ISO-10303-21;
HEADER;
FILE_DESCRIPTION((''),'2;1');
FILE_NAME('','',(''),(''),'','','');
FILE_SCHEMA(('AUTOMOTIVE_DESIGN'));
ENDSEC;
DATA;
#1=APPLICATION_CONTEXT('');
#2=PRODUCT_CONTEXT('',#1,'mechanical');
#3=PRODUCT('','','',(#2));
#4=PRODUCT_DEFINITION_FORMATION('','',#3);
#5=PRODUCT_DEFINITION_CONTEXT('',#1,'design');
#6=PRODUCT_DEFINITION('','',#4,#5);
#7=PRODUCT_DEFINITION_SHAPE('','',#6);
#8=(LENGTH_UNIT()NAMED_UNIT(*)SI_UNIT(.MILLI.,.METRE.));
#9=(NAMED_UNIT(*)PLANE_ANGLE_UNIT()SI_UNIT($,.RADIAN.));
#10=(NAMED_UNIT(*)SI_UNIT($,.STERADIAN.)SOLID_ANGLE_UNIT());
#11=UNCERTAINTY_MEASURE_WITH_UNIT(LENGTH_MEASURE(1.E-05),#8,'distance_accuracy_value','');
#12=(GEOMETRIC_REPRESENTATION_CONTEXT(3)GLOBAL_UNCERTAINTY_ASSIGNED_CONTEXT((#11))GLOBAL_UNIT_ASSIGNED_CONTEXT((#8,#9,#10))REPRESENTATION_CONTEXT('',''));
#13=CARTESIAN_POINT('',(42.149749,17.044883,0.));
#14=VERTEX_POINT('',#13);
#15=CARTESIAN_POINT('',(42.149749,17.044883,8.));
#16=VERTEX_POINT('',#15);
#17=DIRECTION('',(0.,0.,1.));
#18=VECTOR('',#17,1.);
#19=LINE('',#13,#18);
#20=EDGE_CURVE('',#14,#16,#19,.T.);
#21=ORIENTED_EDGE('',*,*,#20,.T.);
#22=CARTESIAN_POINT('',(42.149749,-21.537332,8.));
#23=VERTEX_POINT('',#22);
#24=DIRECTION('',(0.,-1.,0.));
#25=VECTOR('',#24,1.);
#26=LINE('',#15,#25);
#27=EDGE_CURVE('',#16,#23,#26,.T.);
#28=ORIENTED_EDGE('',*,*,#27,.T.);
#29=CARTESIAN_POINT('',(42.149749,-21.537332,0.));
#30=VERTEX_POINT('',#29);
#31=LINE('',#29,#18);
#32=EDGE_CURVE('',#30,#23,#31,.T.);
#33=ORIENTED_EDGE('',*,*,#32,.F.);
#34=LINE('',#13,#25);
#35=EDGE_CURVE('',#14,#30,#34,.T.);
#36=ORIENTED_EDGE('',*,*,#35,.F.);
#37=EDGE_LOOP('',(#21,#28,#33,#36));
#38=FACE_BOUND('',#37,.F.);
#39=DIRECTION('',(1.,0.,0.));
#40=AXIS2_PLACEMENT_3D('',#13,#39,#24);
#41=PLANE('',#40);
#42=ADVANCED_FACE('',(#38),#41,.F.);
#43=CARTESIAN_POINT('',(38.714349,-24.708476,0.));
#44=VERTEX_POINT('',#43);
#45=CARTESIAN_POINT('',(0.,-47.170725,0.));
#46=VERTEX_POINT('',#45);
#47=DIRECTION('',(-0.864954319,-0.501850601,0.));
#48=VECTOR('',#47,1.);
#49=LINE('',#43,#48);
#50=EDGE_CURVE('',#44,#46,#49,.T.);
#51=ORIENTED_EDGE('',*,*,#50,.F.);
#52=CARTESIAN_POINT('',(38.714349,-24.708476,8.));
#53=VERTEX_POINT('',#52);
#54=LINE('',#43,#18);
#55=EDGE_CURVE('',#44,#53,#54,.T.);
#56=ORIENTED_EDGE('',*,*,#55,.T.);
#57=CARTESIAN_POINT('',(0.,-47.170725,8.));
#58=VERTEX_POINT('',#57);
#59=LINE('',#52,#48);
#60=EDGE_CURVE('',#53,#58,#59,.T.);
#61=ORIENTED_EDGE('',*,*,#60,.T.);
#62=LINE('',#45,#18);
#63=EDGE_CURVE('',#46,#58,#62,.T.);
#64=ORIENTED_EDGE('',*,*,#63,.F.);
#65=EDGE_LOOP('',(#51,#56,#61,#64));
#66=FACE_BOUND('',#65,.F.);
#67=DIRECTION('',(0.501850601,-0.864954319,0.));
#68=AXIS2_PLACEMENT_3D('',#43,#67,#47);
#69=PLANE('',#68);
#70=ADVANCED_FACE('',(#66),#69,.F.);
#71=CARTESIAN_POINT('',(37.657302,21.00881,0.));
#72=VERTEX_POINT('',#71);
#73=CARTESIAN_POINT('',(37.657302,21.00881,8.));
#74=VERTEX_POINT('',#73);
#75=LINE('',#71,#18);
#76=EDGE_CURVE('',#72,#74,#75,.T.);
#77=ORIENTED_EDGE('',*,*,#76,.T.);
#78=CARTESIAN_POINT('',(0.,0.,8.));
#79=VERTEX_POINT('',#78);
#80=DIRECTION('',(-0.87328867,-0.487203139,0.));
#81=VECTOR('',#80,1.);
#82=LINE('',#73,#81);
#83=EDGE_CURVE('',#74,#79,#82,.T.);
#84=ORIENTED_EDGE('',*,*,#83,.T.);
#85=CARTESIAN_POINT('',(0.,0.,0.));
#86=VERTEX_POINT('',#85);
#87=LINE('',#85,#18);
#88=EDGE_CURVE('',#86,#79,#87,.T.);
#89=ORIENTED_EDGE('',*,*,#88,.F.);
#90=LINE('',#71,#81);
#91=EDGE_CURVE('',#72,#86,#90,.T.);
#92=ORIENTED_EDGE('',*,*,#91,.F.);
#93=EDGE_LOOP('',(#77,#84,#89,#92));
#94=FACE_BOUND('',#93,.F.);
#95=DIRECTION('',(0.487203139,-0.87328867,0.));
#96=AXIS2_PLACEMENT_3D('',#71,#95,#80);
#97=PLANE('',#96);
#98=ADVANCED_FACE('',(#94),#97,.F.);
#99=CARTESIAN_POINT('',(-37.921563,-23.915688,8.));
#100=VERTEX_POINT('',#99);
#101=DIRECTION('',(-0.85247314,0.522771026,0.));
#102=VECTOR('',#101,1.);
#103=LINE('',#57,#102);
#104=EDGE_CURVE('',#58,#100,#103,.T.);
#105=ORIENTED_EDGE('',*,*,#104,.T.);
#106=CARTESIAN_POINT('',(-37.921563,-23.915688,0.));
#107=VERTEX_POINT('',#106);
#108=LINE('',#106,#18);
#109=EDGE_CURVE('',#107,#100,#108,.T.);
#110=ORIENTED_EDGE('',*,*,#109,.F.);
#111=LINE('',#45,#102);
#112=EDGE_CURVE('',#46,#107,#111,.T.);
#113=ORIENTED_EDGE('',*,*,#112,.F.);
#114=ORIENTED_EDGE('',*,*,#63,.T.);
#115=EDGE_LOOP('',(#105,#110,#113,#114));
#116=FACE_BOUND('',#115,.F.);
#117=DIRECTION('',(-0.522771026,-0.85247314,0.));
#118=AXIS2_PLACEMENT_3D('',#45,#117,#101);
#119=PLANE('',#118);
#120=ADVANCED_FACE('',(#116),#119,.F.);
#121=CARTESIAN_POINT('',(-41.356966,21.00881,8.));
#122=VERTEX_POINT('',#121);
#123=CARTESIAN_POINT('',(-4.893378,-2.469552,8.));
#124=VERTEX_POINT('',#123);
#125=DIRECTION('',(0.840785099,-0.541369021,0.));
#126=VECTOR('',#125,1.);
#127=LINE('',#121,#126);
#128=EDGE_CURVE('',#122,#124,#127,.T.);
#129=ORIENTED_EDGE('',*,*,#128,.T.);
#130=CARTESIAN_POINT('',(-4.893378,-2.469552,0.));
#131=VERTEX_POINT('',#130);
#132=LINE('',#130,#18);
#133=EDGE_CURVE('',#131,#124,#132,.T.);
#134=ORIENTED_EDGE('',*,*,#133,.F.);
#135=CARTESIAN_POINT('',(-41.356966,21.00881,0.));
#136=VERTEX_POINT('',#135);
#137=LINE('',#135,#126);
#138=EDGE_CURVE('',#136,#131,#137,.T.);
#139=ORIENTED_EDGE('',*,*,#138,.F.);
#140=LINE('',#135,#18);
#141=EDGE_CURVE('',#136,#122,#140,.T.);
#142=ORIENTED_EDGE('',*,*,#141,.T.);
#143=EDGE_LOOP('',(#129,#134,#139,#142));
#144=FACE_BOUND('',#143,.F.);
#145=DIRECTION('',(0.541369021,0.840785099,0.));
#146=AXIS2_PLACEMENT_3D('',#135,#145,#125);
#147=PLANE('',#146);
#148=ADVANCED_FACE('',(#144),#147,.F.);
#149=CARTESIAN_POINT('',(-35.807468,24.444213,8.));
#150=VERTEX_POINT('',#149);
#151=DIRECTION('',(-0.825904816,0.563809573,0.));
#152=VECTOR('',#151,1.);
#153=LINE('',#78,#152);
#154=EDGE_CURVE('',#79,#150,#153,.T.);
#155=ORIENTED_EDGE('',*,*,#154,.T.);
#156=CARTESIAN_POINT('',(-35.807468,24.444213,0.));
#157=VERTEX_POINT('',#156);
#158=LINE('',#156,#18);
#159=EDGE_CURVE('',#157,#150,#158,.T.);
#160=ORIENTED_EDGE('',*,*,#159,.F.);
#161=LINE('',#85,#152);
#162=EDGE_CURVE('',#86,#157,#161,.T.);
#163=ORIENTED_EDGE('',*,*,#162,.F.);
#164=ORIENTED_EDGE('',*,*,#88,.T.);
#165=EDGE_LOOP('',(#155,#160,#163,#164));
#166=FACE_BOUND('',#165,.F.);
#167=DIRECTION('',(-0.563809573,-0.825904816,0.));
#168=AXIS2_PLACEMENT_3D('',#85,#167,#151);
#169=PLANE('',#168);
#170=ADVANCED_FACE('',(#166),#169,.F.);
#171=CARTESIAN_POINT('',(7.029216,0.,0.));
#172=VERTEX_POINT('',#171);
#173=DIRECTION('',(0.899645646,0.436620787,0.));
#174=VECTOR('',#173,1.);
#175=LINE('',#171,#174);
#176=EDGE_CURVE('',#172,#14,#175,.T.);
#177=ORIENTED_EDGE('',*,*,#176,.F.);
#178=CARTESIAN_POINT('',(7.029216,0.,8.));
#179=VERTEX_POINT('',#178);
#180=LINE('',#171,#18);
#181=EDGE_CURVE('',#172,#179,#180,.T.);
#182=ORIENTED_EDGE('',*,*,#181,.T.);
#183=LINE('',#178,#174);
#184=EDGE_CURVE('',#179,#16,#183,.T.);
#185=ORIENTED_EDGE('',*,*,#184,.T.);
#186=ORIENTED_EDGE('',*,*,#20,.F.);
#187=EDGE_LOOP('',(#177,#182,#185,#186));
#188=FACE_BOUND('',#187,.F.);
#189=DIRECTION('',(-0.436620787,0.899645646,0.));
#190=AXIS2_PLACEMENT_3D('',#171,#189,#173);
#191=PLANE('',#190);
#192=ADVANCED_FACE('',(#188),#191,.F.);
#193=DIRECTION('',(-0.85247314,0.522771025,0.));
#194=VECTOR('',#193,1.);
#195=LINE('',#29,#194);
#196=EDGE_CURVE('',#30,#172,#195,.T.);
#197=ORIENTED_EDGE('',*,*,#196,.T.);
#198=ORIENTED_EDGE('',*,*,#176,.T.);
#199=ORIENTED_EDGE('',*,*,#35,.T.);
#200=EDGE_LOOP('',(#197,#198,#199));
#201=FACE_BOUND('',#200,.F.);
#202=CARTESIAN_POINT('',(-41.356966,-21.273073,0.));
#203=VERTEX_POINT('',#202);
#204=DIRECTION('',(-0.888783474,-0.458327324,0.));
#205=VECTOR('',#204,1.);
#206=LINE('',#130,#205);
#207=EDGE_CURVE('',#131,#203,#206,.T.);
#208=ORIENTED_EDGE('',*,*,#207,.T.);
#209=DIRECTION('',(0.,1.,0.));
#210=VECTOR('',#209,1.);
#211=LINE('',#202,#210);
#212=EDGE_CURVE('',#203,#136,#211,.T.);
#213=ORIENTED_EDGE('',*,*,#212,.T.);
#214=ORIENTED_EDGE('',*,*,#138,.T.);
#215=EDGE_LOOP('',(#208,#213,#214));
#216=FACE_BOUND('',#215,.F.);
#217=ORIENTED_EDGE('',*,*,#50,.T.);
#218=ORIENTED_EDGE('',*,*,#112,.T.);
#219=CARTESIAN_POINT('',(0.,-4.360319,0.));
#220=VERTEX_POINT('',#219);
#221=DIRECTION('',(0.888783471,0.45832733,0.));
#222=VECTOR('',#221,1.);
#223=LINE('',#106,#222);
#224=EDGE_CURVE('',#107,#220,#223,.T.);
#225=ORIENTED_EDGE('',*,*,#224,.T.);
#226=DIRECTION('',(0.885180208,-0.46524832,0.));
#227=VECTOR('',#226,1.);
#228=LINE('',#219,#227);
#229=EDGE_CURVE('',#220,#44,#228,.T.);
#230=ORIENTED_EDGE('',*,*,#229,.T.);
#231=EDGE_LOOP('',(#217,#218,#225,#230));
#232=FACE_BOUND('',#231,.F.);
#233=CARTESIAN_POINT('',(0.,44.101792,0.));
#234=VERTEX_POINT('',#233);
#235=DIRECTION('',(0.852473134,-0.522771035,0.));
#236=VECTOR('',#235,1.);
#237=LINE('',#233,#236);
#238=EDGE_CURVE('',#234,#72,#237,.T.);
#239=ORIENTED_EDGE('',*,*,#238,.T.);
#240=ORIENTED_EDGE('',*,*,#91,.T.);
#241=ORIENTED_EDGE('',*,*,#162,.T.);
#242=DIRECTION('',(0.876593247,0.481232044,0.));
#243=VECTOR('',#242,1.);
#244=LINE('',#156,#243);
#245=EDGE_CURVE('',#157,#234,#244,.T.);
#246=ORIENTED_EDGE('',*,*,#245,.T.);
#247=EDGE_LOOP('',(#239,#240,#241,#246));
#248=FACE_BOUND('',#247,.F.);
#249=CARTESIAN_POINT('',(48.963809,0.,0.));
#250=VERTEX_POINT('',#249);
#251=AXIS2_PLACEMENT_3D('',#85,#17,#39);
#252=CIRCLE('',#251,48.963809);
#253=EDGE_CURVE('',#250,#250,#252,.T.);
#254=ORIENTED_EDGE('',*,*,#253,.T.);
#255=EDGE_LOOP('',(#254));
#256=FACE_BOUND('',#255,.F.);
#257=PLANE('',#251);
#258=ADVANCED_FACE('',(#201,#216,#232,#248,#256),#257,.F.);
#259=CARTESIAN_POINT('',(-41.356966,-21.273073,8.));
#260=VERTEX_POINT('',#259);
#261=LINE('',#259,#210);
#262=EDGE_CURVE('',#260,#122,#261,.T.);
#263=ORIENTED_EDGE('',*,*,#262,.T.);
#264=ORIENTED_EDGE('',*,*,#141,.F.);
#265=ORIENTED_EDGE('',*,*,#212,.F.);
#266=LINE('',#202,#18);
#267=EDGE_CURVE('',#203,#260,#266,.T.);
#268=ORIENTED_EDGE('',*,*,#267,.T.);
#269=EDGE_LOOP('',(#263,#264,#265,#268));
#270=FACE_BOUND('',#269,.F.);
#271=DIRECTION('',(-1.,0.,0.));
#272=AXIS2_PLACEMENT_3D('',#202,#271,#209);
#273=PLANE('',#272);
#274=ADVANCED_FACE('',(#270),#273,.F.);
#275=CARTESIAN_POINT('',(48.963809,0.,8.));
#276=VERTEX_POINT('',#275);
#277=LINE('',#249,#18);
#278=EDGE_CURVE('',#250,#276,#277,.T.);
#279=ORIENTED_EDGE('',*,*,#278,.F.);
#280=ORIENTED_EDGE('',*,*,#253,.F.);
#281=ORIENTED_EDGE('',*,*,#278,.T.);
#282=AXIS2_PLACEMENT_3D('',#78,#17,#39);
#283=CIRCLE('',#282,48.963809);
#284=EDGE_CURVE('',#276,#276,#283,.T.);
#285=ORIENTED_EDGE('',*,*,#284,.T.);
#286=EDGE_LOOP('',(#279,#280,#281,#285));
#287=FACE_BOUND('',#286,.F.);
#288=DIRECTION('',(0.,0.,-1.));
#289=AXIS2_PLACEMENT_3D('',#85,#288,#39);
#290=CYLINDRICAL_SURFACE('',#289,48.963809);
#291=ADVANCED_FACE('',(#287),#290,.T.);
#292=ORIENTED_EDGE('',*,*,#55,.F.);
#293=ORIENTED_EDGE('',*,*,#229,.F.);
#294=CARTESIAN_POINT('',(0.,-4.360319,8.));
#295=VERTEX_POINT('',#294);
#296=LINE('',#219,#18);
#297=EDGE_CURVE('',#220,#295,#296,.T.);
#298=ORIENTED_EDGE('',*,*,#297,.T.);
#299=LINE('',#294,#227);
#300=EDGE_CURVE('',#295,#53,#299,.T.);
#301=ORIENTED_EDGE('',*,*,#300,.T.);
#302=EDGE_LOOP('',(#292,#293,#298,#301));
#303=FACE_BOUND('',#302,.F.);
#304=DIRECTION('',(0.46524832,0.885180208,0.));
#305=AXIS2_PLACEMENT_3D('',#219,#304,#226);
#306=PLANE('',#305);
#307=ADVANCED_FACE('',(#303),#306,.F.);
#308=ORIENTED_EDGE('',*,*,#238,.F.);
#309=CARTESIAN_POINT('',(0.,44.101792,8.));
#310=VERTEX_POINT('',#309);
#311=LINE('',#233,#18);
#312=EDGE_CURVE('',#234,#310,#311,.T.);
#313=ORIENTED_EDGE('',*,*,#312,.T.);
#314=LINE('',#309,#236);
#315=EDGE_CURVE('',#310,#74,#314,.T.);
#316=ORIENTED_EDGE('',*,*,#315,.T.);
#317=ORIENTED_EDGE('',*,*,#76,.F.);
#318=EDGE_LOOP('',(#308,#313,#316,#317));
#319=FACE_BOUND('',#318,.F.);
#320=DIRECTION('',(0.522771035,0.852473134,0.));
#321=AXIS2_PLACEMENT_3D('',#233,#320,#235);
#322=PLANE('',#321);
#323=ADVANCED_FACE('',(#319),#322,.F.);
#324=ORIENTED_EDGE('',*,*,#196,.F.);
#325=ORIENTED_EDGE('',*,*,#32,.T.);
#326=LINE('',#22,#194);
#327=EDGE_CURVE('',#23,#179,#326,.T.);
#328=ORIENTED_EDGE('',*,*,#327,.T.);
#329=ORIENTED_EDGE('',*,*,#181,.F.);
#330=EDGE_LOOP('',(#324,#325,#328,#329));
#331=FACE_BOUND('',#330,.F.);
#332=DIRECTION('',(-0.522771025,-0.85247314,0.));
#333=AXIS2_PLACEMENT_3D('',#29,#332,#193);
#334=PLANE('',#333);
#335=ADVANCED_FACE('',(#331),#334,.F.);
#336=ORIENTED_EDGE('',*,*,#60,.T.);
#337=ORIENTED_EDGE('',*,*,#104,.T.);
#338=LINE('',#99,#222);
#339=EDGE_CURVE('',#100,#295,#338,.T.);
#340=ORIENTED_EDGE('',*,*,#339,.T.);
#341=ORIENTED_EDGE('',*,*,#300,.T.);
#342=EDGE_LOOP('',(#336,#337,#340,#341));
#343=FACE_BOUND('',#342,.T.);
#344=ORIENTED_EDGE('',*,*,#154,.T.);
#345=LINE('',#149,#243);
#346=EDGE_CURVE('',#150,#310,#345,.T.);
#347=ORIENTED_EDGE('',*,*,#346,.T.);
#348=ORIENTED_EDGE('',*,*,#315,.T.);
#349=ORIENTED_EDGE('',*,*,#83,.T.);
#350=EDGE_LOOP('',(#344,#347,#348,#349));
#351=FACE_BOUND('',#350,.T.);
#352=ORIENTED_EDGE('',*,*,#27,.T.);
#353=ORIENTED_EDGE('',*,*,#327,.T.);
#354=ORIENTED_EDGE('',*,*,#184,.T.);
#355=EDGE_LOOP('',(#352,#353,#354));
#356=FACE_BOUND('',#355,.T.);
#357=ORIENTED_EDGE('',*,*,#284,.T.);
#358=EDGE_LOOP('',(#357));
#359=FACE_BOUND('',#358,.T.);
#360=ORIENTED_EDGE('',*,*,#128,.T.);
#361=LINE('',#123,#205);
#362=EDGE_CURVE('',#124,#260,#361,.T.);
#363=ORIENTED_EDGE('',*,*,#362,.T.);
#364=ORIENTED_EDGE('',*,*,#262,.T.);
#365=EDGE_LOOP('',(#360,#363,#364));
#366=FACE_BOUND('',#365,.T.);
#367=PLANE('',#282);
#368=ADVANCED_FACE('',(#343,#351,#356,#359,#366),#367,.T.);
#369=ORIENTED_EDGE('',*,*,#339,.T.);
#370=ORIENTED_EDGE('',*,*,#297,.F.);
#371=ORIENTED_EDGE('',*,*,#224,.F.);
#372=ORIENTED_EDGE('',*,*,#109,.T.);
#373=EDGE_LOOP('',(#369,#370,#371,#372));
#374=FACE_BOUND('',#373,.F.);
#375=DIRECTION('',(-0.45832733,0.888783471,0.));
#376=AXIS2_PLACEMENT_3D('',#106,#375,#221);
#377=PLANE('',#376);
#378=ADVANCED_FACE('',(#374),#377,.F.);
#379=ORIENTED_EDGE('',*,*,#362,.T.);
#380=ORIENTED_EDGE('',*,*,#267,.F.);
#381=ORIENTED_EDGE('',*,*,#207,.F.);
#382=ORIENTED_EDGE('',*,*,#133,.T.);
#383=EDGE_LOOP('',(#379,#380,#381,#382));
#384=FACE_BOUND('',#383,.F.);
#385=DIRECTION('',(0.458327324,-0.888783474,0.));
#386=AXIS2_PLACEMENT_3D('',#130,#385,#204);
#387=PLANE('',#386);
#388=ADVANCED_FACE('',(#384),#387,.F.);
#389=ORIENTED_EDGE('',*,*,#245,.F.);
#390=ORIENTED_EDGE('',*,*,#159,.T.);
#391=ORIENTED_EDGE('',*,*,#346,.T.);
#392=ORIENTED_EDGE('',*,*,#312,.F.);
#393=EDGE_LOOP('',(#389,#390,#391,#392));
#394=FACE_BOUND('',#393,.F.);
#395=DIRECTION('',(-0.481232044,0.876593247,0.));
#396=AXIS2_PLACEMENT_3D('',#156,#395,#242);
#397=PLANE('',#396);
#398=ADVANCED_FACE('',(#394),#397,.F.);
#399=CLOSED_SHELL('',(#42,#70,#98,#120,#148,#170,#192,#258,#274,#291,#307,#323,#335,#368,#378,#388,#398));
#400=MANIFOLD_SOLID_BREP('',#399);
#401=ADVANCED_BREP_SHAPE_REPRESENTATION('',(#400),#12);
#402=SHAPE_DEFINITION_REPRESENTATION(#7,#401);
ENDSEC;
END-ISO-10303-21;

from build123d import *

# Parameters (mm, degrees)
F0_R     = 48.963809
F1_DEPTH = 8


with BuildPart() as f1:
    # F0 (on Top) → F1 (new body)
    with BuildSketch(Plane.XY):
        Circle(F0_R)
        Polygon((-41.356966, -21.273073), (-41.356966, 21.00881), (-4.893378, -2.469552), align=None, mode=Mode.SUBTRACT)
        Polygon((0, -47.170725), (-37.921563, -23.915688), (0, -4.360319), (38.714349, -24.708476), align=None, mode=Mode.SUBTRACT)
        Polygon((7.029216, 0), (42.149749, 17.044883), (42.149749, -21.537332), align=None, mode=Mode.SUBTRACT)
        Polygon((0, 0), (-35.807468, 24.444213), (0, 44.101792), (37.657302, 21.00881), align=None, mode=Mode.SUBTRACT)
    extrude(amount=F1_DEPTH)


solid = f1.part
